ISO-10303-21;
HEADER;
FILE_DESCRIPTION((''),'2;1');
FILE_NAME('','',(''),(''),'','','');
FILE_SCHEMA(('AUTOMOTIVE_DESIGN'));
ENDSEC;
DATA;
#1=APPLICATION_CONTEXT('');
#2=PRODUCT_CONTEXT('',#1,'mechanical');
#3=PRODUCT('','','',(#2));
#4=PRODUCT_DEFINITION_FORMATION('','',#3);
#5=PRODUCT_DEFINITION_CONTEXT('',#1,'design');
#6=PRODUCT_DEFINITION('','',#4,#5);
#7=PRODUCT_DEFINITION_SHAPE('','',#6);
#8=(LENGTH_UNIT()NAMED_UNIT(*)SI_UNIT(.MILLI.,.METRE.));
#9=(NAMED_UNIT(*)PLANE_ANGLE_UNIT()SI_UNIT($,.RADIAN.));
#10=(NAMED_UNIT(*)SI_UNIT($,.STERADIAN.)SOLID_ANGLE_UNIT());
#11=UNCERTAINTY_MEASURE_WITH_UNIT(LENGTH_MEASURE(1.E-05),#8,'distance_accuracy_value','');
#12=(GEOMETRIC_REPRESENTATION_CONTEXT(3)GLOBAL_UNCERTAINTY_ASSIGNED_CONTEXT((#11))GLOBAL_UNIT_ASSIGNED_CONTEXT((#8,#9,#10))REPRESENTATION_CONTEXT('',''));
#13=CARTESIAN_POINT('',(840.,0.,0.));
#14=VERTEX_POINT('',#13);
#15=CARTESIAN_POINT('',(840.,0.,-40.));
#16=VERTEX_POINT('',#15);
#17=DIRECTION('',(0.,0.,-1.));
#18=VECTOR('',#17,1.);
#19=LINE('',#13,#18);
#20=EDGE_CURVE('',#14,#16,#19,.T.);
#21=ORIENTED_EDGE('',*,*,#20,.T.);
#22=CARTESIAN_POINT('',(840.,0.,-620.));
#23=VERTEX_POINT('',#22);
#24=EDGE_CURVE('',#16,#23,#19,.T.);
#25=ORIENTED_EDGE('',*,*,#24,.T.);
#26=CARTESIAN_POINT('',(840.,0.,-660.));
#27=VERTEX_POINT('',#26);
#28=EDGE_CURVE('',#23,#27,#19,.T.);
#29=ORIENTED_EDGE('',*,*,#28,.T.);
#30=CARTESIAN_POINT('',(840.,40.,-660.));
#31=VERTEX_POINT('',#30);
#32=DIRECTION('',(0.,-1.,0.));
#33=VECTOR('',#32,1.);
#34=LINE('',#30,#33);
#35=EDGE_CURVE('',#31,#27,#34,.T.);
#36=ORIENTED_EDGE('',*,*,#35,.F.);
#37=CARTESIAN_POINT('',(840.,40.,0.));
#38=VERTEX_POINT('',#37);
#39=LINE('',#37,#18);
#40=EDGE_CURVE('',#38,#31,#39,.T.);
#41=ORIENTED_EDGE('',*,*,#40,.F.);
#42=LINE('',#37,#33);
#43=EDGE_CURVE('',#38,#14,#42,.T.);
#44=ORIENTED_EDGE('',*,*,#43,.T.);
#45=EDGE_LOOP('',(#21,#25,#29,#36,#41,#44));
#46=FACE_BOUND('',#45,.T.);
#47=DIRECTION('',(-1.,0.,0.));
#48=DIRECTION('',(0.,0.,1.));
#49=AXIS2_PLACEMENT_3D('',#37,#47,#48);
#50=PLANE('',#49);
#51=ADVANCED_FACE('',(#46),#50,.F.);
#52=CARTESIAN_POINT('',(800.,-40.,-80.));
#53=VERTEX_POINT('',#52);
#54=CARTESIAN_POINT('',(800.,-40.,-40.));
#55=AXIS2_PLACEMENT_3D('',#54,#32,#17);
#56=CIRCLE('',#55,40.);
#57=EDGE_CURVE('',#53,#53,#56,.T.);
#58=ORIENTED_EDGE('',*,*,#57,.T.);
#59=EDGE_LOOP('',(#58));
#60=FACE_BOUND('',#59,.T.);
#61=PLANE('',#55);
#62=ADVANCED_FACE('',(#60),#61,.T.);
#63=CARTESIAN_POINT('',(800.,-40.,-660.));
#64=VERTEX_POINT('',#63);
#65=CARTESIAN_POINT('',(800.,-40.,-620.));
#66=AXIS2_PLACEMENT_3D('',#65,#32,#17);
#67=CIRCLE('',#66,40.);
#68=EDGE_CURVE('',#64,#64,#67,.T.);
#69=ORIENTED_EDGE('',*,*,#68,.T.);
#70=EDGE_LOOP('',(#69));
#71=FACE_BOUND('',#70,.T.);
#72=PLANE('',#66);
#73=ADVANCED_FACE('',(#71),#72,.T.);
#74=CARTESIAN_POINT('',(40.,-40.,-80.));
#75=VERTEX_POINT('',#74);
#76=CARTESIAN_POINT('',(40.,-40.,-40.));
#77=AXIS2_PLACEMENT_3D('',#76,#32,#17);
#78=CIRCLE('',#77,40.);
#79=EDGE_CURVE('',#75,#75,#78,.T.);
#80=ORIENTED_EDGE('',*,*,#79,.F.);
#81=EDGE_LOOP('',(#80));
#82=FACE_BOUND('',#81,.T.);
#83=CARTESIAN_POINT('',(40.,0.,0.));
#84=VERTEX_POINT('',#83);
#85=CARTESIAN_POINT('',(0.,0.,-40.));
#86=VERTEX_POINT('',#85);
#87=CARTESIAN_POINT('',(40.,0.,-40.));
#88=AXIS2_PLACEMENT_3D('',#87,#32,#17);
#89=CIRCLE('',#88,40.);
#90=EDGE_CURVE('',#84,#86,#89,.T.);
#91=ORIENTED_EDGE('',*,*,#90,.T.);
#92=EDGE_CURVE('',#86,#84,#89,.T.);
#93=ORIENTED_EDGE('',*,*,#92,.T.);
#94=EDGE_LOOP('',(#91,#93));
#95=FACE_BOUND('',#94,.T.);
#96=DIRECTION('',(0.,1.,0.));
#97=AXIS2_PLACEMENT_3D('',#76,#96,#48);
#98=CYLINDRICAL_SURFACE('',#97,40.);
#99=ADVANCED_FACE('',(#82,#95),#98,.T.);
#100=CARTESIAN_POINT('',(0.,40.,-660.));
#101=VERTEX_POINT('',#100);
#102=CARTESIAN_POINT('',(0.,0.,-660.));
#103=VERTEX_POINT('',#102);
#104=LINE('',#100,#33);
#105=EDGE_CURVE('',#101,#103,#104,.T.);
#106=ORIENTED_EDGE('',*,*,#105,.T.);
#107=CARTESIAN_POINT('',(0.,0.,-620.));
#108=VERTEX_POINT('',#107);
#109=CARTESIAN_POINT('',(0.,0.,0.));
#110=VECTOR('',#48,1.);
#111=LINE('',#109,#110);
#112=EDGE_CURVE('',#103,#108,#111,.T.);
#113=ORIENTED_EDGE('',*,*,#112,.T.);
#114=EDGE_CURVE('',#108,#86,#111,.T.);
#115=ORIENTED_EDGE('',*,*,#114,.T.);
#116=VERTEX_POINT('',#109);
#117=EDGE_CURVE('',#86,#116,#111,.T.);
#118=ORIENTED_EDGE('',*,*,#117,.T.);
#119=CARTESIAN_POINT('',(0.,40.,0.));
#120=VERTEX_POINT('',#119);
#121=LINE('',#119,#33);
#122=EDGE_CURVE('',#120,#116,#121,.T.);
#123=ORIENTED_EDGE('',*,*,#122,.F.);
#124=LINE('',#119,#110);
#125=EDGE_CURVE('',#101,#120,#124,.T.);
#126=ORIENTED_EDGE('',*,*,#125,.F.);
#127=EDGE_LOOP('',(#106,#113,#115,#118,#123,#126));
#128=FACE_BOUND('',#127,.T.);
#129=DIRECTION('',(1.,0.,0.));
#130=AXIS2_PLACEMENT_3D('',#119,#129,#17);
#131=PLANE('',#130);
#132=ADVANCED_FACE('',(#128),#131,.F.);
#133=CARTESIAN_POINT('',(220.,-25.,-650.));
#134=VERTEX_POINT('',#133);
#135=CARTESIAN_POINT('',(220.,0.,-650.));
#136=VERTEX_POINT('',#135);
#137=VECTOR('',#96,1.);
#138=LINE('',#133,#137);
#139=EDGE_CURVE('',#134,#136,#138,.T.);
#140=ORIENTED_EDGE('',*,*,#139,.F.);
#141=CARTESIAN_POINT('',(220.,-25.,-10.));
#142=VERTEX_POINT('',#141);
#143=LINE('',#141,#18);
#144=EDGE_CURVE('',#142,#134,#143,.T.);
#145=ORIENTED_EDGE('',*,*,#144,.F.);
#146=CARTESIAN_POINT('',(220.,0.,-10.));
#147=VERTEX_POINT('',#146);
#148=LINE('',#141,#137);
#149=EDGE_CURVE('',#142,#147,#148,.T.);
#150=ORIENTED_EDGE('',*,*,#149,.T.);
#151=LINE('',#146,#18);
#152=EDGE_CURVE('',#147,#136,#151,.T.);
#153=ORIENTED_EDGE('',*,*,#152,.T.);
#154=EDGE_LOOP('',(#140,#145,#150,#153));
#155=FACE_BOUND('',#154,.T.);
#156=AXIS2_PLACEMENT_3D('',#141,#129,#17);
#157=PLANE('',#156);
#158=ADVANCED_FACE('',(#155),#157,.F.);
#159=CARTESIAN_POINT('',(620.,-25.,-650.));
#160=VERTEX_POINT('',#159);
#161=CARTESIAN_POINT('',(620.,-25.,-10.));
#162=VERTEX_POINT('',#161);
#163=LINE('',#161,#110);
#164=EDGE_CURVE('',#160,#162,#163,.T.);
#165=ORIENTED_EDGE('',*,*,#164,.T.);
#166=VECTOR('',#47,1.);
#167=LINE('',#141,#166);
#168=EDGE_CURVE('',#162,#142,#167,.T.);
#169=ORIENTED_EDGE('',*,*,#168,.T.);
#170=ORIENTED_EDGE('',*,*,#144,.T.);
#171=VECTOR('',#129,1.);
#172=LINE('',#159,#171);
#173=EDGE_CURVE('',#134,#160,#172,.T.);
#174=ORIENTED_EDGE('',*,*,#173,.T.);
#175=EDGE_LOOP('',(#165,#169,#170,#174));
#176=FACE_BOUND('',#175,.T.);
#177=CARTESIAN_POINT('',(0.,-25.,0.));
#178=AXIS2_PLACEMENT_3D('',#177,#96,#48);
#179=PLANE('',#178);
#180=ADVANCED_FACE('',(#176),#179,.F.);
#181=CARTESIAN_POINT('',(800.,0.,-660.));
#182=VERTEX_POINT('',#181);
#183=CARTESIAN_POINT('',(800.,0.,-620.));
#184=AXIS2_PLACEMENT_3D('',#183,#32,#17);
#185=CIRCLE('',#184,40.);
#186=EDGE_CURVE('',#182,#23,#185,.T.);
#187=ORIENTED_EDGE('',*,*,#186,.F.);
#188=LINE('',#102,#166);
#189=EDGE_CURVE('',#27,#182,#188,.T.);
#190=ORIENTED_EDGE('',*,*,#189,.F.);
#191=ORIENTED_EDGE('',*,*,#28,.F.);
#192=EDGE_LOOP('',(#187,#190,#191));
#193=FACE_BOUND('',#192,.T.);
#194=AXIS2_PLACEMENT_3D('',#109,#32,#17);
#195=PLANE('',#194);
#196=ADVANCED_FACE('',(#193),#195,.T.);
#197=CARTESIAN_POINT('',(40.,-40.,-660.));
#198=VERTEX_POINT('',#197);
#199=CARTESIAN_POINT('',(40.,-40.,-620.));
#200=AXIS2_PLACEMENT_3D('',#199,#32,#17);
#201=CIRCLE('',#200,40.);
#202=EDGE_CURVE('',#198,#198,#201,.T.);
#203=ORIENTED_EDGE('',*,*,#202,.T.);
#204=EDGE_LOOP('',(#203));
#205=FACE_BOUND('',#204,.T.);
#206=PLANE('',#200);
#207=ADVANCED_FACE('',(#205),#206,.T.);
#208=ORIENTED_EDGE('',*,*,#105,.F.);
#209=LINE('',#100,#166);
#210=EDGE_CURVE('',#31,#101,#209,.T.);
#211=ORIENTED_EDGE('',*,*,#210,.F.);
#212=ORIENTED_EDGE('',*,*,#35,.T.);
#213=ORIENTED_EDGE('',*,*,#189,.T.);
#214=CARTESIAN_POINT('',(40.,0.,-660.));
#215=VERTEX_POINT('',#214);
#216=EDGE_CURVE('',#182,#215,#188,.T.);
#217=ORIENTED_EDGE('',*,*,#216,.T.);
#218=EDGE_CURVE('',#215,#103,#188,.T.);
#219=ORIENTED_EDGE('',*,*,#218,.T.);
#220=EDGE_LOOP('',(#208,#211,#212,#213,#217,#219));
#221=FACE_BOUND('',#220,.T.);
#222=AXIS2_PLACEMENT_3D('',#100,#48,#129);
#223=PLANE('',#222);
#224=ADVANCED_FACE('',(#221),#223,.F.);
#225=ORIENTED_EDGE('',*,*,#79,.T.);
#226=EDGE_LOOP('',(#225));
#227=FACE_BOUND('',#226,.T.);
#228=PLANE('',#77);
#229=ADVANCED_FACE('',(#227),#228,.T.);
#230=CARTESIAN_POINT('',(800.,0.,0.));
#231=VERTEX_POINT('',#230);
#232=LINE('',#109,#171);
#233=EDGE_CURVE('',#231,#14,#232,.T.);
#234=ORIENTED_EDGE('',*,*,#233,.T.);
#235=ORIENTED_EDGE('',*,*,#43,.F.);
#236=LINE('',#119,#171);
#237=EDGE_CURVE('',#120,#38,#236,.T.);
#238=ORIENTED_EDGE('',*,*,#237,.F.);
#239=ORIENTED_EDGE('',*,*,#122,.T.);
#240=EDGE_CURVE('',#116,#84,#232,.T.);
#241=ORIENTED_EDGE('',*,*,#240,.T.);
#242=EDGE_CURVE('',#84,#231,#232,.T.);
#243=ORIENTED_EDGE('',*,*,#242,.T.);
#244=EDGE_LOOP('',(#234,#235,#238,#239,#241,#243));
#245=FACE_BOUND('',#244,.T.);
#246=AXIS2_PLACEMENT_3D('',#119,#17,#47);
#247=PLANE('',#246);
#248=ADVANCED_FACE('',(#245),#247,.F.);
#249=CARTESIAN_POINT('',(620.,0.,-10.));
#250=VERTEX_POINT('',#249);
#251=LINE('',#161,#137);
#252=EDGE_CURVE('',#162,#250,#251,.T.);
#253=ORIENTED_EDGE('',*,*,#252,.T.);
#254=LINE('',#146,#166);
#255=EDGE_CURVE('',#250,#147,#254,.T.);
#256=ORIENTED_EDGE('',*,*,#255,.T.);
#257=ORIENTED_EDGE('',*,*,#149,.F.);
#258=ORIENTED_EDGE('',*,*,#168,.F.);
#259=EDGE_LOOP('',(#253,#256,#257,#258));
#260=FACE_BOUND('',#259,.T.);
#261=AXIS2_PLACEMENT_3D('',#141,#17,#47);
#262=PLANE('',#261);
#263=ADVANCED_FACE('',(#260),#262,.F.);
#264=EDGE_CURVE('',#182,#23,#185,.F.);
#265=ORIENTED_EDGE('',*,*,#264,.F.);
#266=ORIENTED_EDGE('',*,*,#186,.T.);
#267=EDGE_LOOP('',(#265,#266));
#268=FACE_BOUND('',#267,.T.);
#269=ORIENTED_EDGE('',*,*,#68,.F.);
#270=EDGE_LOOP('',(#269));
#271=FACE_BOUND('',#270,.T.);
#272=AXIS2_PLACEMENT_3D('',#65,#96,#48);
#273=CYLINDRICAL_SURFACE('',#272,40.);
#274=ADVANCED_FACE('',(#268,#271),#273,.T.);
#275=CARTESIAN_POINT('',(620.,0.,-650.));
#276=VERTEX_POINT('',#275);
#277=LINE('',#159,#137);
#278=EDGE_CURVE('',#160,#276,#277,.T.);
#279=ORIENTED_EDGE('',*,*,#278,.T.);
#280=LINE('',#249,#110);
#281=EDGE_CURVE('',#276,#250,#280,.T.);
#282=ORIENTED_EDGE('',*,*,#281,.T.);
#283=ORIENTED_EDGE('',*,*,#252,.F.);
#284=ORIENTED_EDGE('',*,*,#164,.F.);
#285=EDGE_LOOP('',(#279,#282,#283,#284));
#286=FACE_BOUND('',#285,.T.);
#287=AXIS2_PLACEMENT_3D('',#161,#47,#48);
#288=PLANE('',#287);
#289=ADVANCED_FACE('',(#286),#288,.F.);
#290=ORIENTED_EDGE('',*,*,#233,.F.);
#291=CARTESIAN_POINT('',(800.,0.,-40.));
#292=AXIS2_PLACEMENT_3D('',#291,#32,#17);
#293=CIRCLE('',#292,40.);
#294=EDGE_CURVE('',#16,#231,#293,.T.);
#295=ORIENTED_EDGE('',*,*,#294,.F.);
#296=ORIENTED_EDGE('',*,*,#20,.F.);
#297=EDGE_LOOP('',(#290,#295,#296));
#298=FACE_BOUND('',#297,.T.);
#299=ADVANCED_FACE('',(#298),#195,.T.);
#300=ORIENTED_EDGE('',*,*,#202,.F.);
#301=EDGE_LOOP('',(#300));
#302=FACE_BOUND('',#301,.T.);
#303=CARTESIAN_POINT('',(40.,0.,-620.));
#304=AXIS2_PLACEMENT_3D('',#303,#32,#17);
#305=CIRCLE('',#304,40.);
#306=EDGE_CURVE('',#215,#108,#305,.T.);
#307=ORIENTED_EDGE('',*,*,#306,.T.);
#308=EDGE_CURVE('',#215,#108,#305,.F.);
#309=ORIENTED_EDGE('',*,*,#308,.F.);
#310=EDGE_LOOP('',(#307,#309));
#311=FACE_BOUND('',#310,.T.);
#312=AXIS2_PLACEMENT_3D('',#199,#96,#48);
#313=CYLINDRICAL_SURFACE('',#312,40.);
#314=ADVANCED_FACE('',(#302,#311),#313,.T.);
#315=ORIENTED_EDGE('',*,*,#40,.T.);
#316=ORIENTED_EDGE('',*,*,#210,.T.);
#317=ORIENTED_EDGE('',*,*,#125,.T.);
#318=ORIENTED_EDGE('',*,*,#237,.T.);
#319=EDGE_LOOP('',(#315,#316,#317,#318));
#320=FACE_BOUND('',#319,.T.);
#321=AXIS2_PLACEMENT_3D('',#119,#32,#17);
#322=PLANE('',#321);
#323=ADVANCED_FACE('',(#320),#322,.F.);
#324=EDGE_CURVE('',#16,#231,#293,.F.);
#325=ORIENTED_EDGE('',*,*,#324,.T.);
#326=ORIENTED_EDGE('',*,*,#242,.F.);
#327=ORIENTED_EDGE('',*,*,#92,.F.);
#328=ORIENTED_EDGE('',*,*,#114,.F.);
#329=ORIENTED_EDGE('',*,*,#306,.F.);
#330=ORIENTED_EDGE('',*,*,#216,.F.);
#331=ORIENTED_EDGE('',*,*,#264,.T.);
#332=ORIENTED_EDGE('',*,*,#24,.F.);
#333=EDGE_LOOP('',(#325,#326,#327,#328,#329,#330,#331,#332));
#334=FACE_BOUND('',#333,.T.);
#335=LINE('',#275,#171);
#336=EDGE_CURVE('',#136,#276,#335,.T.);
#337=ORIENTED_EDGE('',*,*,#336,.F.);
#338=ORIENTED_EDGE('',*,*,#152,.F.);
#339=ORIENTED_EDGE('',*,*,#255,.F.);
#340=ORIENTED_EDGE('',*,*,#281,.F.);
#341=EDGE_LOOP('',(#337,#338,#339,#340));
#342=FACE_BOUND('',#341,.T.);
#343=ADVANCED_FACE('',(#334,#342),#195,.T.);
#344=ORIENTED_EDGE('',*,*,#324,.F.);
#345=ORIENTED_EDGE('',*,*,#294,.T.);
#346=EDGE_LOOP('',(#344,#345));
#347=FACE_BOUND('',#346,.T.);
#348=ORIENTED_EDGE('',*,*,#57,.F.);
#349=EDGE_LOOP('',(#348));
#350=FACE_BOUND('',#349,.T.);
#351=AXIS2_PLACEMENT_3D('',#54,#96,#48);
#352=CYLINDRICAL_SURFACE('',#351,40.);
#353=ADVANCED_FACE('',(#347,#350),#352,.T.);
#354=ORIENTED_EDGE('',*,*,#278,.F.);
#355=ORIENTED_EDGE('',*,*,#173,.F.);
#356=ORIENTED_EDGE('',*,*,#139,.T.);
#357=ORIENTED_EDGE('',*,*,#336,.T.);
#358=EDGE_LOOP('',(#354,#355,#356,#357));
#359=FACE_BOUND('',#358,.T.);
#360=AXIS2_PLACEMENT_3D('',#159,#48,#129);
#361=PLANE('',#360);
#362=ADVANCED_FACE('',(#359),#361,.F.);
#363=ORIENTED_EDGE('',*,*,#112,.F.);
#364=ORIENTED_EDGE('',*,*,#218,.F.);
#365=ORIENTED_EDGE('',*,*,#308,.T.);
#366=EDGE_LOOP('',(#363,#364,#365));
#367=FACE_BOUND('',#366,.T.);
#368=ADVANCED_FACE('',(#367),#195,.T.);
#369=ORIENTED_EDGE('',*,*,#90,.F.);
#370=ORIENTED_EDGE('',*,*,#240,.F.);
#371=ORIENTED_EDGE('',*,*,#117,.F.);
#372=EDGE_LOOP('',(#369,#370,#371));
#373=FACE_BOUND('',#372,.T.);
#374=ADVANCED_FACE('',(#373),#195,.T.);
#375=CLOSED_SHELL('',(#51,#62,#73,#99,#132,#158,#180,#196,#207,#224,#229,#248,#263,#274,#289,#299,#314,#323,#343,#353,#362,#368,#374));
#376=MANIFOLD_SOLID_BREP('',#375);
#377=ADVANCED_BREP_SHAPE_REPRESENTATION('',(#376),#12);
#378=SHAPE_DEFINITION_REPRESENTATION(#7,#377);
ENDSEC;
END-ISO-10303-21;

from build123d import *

# Parameters (mm, degrees)
SKETCH1_W           = 840
SKETCH1_H           = 660
BOSS_EXTRUDE1_DEPTH = 40
SKETCH2_R           = 40
BOSS_EXTRUDE2_DEPTH = 40
SKETCH3_W           = 400
SKETCH3_H           = 640
BOSS_EXTRUDE3_DEPTH = 25


with BuildPart() as part:
    # Sketch1 → Boss-Extrude1 (new body)
    with BuildSketch(Plane(origin=(0, 0, 0), x_dir=(1, 0, 0), z_dir=(0, 1, 0))):
        with Locations((420, 330)):
            Rectangle(SKETCH1_W, SKETCH1_H)
    extrude(amount=BOSS_EXTRUDE1_DEPTH)

    # Sketch2 → Boss-Extrude2 (add)
    with BuildSketch(Plane.XZ):
        with Locations(Location((40, -40, 0), (0, 0, 90))):
            Circle(SKETCH2_R)
        with Locations(Location((800, -40, 0), (0, 0, 90))):
            Circle(SKETCH2_R)
        with Locations(Location((40, -620, 0), (0, 0, 270))):
            Circle(SKETCH2_R)
        with Locations(Location((800, -620, 0), (0, 0, 270))):
            Circle(SKETCH2_R)
    extrude(amount=BOSS_EXTRUDE2_DEPTH)

    # Sketch3 → Boss-Extrude3 (add)
    with BuildSketch(Plane.XZ):
        with Locations((420, -330)):
            Rectangle(SKETCH3_W, SKETCH3_H)
    extrude(amount=BOSS_EXTRUDE3_DEPTH)


solid = part.part
